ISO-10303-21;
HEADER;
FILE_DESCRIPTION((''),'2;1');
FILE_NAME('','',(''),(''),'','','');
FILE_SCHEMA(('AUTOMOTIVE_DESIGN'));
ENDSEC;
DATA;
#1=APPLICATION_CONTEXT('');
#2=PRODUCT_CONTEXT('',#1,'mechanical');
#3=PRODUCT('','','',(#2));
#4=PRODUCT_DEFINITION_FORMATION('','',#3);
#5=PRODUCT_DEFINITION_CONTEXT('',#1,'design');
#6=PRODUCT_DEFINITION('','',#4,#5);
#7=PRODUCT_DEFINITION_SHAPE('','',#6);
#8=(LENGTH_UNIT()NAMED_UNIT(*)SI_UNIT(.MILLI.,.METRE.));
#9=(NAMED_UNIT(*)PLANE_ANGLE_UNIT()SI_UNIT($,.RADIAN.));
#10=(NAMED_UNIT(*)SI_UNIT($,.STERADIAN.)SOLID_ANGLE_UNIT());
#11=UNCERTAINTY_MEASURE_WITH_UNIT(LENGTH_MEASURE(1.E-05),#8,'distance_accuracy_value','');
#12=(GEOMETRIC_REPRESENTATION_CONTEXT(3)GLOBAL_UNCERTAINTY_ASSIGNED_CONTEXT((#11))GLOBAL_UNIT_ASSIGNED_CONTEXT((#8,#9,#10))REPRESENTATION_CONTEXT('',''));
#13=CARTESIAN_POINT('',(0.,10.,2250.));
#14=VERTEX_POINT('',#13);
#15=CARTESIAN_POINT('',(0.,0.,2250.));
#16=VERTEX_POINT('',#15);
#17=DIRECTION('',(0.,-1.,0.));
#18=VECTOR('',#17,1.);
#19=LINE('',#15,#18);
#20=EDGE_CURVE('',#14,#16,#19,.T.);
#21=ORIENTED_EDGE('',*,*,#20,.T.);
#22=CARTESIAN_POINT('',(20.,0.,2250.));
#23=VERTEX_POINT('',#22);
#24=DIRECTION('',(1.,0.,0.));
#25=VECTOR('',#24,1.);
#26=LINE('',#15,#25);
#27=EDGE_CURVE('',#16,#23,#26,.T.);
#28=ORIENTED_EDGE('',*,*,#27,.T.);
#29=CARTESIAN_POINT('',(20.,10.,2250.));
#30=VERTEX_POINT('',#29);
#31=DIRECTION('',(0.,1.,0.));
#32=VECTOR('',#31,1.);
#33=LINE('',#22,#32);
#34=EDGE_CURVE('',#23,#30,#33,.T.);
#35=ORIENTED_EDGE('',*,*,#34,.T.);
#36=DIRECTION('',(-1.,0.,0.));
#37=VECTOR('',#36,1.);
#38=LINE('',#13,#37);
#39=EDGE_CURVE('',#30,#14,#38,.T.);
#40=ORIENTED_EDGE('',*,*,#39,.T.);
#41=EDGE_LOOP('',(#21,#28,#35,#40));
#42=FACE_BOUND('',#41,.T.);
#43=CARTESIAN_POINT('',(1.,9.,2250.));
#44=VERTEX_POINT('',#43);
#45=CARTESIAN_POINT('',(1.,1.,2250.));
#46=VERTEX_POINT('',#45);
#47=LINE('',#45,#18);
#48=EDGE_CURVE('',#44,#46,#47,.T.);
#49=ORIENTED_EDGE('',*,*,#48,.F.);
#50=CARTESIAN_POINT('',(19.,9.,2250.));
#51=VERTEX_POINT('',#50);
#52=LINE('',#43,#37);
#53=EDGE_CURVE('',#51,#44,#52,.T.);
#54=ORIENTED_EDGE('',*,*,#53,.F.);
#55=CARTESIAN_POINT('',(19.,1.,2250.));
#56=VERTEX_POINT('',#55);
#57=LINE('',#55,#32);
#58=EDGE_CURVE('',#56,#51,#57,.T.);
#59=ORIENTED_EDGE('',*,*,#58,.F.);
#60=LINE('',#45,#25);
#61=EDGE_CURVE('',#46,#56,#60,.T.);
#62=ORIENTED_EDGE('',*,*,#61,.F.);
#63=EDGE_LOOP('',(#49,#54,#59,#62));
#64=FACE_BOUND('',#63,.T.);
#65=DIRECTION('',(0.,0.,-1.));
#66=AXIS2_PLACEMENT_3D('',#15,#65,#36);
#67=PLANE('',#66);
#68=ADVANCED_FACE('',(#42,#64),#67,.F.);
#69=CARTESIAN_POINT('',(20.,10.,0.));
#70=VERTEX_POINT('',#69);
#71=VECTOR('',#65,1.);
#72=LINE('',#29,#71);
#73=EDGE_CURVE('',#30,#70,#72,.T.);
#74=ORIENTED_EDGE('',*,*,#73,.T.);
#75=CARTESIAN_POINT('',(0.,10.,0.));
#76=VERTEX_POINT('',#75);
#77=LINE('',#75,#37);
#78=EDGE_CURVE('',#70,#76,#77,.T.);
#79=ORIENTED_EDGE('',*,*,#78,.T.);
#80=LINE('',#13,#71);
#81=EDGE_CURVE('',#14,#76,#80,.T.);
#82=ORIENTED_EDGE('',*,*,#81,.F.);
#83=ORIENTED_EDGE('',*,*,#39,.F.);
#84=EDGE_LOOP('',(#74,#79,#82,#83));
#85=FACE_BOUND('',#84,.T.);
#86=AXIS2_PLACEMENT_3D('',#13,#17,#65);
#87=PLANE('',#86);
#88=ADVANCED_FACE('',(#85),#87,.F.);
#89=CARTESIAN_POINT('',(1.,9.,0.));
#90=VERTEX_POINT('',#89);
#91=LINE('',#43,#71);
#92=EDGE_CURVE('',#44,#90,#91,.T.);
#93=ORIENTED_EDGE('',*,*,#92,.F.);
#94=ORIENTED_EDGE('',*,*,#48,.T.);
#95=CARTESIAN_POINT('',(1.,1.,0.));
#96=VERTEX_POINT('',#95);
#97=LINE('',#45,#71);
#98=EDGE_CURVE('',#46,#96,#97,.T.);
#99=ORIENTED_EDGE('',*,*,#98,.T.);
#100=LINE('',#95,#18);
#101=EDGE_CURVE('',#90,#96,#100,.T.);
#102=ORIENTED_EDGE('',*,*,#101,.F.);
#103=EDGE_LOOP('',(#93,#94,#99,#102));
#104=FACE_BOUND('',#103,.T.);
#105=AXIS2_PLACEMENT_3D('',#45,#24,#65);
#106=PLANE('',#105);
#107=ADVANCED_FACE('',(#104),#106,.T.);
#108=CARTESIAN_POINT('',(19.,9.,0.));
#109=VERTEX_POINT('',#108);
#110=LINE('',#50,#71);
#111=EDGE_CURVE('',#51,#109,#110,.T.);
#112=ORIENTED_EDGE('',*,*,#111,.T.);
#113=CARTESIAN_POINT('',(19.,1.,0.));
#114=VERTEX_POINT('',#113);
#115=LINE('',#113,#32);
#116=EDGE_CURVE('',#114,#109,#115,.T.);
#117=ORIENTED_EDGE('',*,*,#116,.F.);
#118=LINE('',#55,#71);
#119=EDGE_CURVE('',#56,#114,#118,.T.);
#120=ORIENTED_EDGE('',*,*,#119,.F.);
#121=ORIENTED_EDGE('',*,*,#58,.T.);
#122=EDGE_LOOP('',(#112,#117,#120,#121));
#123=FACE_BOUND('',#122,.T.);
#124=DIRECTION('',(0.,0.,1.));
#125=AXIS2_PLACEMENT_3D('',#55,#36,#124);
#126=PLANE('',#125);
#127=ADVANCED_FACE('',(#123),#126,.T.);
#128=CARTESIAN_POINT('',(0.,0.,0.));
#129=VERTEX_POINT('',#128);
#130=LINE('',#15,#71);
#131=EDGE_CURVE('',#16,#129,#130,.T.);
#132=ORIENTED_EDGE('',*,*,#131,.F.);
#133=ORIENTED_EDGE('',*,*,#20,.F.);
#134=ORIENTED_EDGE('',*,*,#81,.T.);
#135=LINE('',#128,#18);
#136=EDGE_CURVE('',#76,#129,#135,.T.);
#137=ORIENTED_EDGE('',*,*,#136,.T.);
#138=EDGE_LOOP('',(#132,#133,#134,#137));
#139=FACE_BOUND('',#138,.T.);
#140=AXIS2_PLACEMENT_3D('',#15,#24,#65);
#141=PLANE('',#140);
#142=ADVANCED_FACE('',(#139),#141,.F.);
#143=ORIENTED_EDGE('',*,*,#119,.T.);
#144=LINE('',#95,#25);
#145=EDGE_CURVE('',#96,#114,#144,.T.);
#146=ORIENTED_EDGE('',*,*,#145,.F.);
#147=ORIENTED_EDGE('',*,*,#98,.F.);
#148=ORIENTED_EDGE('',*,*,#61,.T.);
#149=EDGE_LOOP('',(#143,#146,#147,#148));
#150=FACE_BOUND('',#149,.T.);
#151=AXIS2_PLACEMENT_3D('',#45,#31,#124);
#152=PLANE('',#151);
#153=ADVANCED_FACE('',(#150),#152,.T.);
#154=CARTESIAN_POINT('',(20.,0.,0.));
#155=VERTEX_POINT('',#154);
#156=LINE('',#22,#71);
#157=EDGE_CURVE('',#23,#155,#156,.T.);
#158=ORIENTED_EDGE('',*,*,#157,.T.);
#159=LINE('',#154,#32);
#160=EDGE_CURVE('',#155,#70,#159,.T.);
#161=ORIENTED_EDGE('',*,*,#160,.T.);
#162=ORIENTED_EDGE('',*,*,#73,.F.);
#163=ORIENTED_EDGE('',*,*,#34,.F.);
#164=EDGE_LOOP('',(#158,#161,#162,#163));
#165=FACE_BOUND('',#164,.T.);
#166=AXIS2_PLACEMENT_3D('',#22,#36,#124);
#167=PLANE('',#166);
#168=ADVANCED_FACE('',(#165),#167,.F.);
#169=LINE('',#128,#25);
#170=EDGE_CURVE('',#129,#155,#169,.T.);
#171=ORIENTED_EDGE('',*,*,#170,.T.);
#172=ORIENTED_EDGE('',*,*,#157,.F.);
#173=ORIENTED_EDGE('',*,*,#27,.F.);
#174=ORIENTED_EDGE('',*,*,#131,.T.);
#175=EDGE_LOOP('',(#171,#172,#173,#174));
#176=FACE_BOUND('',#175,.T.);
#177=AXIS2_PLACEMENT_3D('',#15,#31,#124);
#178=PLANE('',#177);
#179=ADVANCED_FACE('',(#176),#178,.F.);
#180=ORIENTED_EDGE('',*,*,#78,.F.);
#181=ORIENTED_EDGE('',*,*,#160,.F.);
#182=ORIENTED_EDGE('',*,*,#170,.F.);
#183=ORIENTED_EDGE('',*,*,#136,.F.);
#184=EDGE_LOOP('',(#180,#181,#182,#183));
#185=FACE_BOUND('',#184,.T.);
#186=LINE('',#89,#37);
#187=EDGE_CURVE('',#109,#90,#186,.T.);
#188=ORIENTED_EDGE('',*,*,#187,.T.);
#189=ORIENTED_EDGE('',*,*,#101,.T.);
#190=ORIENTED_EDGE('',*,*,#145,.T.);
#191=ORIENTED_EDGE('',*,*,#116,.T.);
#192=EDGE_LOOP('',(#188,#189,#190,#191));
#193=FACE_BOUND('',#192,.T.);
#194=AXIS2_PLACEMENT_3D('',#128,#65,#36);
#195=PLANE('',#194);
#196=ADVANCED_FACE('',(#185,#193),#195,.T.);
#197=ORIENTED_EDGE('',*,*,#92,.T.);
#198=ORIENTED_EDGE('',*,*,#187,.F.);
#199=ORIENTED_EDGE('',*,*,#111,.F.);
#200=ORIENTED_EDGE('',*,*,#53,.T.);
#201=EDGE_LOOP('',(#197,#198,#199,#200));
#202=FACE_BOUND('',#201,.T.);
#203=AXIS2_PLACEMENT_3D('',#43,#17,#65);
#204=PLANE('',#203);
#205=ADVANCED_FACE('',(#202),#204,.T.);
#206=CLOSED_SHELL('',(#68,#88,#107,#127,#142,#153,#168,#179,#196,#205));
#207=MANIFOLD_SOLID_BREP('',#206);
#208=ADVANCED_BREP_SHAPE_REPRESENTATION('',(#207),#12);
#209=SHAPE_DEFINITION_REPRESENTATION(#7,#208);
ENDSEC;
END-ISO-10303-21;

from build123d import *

# Parameters (mm, degrees)
SKETCH_1_W      = 20
SKETCH_1_H      = 10
SKETCH_1_W_2    = 18
SKETCH_1_H_2    = 8
EXTRUDE_1_DEPTH = 2250


with BuildPart() as part:
    # 草图1 → 凸台-拉伸1 (new body)
    with BuildSketch(Plane.XY):
        with Locations((10, 5)):
            Rectangle(SKETCH_1_W, SKETCH_1_H)
        with Locations((10, 5)):
            Rectangle(SKETCH_1_W_2, SKETCH_1_H_2, mode=Mode.SUBTRACT)
    extrude(amount=EXTRUDE_1_DEPTH)


solid = part.part
